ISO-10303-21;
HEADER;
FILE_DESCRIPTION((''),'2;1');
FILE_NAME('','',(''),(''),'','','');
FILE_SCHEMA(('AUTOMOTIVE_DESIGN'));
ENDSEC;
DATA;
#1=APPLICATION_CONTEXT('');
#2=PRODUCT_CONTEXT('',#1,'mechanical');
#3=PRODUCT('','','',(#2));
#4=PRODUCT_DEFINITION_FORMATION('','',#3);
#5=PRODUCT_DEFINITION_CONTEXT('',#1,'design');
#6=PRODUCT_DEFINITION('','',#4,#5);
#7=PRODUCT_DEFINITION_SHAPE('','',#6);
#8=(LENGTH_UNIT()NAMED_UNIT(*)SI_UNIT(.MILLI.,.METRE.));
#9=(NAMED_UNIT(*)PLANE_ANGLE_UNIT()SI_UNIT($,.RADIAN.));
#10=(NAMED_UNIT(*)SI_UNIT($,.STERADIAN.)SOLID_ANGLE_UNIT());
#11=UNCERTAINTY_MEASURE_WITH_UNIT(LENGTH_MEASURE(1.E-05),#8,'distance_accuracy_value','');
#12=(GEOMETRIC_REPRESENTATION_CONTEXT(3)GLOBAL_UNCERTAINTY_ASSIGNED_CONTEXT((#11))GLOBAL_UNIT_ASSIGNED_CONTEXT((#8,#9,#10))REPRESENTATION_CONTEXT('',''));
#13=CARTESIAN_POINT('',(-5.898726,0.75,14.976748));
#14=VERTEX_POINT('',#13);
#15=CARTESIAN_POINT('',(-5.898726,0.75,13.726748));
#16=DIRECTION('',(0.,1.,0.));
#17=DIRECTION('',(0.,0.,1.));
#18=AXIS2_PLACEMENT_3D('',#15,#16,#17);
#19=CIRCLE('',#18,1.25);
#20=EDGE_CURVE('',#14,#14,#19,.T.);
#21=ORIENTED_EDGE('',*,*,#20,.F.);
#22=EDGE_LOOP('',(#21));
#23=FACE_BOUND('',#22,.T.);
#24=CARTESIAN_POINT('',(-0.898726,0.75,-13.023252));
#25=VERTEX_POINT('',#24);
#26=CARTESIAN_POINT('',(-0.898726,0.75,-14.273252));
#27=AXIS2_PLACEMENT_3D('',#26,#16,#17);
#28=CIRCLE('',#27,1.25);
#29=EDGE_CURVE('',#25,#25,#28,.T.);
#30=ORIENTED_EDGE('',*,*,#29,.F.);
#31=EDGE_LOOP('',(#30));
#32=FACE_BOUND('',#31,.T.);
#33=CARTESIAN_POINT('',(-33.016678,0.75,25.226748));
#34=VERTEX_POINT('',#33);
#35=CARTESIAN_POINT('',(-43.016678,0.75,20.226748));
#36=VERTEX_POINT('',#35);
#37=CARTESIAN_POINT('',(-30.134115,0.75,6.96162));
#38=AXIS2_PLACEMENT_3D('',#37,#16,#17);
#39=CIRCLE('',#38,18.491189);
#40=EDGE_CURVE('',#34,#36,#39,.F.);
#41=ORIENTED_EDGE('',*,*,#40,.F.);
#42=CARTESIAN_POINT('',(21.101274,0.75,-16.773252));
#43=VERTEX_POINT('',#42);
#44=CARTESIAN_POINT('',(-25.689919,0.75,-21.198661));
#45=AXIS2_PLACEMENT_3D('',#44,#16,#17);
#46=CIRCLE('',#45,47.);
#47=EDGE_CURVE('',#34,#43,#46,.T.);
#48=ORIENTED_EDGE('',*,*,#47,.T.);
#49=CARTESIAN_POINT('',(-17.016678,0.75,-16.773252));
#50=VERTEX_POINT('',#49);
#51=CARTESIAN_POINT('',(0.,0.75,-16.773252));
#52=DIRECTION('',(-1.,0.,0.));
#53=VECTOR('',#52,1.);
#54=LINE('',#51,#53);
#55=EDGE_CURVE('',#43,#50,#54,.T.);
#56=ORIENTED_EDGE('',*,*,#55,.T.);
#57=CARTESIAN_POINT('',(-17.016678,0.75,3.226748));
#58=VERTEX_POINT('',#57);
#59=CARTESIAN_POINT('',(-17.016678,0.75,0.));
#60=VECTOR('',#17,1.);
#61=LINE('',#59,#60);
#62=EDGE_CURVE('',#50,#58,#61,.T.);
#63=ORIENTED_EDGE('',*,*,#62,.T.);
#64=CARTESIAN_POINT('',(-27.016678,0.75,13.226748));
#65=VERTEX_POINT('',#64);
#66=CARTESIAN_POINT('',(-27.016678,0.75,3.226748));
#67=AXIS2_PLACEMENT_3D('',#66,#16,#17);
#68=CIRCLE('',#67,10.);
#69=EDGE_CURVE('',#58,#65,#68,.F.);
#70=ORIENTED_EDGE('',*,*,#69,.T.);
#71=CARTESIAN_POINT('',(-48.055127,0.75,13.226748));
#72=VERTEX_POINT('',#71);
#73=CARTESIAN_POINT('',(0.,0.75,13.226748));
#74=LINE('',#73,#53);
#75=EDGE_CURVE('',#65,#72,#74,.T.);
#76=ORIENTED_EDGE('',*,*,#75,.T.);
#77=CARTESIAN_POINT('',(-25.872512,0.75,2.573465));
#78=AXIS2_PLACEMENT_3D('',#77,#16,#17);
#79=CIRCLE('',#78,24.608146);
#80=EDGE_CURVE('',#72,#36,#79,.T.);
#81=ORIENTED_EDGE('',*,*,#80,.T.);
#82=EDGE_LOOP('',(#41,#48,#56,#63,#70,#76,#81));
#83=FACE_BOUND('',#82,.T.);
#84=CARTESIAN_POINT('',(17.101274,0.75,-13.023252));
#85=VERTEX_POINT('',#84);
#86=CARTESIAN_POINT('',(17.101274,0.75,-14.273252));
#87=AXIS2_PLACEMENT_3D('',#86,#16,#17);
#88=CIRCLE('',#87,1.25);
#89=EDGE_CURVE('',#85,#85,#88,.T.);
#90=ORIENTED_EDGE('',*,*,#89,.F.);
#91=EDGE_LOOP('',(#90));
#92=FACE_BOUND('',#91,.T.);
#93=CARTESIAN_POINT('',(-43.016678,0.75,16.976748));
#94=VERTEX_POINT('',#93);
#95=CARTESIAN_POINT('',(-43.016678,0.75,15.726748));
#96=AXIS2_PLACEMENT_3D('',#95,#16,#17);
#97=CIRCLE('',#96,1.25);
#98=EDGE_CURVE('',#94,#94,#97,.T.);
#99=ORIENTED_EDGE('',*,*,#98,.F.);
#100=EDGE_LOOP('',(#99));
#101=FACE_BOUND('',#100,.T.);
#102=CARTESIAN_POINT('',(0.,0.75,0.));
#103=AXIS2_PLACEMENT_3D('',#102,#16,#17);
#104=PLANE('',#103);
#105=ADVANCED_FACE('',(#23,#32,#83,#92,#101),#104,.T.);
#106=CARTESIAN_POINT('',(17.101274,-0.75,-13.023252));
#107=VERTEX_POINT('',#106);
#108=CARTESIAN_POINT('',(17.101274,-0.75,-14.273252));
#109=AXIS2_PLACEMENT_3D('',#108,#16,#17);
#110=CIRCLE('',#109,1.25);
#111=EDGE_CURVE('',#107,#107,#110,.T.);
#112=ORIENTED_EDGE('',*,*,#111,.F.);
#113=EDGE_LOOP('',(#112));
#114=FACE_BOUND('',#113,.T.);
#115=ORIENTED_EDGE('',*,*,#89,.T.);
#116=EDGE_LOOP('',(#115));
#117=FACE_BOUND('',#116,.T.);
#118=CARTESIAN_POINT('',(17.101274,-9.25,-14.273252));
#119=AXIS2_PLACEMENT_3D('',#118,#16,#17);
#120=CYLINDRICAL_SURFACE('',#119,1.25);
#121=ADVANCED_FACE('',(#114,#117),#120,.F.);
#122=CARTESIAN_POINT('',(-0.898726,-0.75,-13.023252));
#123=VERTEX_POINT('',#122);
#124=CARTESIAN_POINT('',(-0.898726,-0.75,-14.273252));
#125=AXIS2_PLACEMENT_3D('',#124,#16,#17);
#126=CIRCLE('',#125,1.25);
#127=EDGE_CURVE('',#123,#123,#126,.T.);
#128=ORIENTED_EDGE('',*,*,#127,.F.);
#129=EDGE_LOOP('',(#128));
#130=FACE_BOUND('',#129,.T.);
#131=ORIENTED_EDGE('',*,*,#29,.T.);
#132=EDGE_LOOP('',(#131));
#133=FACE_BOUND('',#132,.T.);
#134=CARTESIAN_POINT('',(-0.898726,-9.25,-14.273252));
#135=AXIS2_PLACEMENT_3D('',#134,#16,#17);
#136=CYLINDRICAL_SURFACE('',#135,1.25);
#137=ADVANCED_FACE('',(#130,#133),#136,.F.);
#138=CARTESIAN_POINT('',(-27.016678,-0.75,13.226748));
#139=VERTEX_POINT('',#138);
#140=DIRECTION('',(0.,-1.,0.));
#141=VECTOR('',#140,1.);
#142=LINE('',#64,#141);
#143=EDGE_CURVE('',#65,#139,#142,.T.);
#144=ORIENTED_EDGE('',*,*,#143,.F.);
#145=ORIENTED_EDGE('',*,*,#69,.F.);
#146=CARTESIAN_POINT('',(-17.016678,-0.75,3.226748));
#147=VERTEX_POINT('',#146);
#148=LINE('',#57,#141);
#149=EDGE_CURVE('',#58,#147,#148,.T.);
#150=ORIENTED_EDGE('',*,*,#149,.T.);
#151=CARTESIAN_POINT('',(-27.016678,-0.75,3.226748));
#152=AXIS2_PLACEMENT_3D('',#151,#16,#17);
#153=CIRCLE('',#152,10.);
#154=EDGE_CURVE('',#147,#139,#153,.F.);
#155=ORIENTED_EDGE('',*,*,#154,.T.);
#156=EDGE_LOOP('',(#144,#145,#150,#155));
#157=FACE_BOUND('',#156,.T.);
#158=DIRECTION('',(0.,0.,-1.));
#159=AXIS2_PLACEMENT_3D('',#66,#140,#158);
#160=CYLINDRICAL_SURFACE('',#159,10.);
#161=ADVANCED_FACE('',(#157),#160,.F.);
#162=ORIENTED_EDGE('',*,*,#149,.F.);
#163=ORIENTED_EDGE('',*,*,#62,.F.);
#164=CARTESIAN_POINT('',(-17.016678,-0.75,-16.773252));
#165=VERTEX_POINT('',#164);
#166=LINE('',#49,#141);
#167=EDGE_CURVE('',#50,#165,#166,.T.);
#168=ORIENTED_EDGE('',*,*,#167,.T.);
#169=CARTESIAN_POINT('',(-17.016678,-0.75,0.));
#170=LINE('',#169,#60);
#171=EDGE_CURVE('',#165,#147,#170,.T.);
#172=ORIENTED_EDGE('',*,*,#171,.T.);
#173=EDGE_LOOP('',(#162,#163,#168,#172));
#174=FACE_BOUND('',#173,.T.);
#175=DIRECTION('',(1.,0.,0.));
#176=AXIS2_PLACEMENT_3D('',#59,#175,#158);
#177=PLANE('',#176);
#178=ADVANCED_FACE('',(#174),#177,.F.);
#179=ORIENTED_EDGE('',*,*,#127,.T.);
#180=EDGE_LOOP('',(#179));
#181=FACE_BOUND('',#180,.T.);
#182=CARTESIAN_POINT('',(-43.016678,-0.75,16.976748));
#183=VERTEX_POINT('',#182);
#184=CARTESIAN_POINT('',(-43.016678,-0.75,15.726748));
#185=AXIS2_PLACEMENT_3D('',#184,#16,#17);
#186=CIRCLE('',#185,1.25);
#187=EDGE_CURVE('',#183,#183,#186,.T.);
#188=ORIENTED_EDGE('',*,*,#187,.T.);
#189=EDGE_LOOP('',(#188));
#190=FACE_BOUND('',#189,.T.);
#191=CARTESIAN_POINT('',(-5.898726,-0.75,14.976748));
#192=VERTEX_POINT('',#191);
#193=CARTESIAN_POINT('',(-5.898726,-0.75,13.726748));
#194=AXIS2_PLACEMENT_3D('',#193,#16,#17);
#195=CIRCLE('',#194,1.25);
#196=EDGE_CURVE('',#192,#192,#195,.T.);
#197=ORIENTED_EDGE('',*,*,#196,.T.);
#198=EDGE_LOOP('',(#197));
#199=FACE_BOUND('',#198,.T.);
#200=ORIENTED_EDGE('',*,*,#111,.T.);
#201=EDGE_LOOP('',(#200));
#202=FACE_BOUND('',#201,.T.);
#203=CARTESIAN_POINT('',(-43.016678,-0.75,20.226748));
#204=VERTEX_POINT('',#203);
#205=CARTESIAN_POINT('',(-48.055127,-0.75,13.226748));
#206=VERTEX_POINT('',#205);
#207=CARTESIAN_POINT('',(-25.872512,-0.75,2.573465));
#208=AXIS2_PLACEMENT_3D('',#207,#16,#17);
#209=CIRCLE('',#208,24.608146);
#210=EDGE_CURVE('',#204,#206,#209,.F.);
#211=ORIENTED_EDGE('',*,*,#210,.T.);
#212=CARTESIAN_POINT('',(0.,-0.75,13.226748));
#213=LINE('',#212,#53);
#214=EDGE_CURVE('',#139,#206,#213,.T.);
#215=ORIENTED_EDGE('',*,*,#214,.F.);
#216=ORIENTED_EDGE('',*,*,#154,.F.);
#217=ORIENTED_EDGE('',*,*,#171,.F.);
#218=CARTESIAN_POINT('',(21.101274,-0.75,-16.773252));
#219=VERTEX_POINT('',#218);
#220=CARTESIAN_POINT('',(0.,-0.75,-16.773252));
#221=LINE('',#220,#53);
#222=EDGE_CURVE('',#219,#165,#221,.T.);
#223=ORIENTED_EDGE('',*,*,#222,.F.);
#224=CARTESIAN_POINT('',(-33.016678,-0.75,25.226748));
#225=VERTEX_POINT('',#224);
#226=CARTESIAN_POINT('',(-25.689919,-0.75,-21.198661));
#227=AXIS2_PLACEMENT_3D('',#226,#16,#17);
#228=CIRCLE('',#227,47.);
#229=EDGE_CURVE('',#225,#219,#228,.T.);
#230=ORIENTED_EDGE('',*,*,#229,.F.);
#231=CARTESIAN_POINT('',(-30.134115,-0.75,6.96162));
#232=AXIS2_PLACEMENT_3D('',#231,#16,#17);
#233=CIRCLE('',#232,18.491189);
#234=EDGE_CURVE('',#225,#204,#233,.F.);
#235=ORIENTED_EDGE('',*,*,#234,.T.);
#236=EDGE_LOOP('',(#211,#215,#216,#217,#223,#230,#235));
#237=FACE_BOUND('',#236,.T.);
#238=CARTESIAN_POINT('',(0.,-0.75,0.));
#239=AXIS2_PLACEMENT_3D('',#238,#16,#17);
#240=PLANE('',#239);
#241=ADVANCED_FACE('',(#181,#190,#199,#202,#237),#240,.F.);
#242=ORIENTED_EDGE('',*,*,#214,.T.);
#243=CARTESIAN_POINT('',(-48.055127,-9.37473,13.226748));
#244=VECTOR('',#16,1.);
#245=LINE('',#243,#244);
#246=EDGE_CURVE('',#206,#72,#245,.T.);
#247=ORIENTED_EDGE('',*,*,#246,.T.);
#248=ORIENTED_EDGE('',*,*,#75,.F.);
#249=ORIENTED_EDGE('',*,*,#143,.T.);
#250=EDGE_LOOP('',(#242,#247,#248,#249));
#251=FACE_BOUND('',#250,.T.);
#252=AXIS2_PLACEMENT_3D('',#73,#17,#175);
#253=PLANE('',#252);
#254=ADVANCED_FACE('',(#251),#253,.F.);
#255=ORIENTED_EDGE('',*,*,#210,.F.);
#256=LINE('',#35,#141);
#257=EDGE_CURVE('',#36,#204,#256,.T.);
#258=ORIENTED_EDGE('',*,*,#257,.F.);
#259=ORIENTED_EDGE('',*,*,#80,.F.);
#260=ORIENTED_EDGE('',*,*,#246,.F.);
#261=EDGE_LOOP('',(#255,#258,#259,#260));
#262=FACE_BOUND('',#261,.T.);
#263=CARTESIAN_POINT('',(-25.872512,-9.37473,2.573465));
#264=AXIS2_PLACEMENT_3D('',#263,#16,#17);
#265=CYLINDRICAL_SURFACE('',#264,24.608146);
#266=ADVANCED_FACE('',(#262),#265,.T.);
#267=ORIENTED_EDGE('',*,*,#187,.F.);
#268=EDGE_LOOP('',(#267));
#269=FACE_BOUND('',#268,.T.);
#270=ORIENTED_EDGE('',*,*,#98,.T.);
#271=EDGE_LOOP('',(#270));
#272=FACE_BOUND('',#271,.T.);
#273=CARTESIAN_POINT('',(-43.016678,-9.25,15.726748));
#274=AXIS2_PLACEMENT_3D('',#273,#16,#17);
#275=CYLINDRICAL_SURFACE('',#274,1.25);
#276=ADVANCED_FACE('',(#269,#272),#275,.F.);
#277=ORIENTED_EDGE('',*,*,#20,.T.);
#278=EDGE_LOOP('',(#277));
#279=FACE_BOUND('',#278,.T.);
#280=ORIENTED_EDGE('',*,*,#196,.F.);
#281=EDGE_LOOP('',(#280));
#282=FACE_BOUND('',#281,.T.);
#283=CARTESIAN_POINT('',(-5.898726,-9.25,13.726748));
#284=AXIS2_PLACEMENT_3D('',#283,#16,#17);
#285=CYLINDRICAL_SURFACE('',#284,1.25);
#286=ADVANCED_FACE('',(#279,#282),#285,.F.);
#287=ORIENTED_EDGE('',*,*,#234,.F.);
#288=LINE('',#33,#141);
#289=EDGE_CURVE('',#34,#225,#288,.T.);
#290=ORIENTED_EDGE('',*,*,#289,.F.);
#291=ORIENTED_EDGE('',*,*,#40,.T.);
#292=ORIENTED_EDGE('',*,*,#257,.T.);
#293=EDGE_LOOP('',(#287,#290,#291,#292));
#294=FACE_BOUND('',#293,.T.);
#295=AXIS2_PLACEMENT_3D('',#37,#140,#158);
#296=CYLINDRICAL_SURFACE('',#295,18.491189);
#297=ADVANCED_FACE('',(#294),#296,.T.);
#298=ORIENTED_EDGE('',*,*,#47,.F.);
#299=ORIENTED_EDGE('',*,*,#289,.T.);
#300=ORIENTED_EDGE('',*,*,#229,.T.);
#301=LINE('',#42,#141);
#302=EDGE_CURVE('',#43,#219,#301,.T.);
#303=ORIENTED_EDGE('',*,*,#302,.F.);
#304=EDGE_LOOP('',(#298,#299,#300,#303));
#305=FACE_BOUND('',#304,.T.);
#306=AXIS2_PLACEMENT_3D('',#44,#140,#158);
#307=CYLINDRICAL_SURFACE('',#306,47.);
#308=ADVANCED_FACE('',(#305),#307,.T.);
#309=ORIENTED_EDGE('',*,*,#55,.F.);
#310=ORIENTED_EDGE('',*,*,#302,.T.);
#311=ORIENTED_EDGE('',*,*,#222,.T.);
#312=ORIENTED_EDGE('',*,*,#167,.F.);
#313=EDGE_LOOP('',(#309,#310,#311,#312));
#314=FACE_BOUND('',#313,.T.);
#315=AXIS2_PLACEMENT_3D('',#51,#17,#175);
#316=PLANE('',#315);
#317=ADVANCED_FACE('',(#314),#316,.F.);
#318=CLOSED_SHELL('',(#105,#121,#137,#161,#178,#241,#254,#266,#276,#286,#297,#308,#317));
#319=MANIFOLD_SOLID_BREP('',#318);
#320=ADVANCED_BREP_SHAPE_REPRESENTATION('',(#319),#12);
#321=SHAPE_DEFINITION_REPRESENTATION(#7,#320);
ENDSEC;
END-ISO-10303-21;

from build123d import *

# Parameters (mm, degrees)
PCB_BOARD_DEPTH     = 0.75
BOSS_EXTRUDE1_DEPTH = 1.5
SKETCH5_R           = 1.25
MOUTING_HOLES_DEPTH = 10


with BuildPart() as part:
    # Sketch1 → Pcb Board (new, symmetric)
    with BuildSketch(Plane(origin=(0, 0, 0), x_dir=(1, 0, 0), z_dir=(0, 1, 0))):
        with BuildLine():
            ThreePointArc((-33.016678433, -25.226747869), (3.126055598, -15.93137563), (21.101274409, 16.773252131))
            Line((21.101274409, 16.773252131), (-17.016678433, 16.773252131))
            Line((-17.016678433, 16.773252131), (-17.016678433, -3.226747869))
            ThreePointArc((-17.016678433, -3.226747869), (-19.945610621, -10.297815681), (-27.016678433, -13.226747869))
            Line((-27.016678433, -13.226747869), (-43.016678433, -13.226747869))
            Line((-43.016678433, -13.226747869), (-43.016678432, -20.226747869))
            ThreePointArc((-43.016678433, -20.226747869), (-38.403625629, -23.500642262), (-33.016678433, -25.226747869))
        make_face()
    extrude(amount=PCB_BOARD_DEPTH, both=True)

    # Sketch6 → Boss-Extrude1 (add)
    with BuildSketch(Plane(origin=(0, 0.75, 0), x_dir=(1, 0, 0), z_dir=(0, 1, 0))):
        with BuildLine():
            Line((-43.016678433, -13.226747869), (-48.055127106, -13.226747869))
            ThreePointArc((-48.055127106, -13.226747869), (-45.844966452, -16.949205227), (-43.016678433, -20.226747869))
            Line((-43.016678433, -20.226747869), (-43.016678433, -13.226747869))
        make_face()
    extrude(amount=-BOSS_EXTRUDE1_DEPTH)

    # Sketch5 → Mouting Holes (cut)
    with BuildSketch(Plane(origin=(0, 0.75, 0), x_dir=(1, 0, 0), z_dir=(0, 1, 0))):
        with Locations(Location((-43.016678433, -15.726747869, 0), (0, 0, 270))):
            Circle(SKETCH5_R)
        with Locations(Location((17.101274409, 14.273252131, 0), (0, 0, 270))):
            Circle(SKETCH5_R)
        with Locations(Location((-5.898725591, -13.726747869, 0), (0, 0, 270))):
            Circle(SKETCH5_R)
        with Locations(Location((-0.898725591, 14.273252131, 0), (0, 0, 270))):
            Circle(SKETCH5_R)
    extrude(amount=-MOUTING_HOLES_DEPTH, mode=Mode.SUBTRACT)


solid = part.part
